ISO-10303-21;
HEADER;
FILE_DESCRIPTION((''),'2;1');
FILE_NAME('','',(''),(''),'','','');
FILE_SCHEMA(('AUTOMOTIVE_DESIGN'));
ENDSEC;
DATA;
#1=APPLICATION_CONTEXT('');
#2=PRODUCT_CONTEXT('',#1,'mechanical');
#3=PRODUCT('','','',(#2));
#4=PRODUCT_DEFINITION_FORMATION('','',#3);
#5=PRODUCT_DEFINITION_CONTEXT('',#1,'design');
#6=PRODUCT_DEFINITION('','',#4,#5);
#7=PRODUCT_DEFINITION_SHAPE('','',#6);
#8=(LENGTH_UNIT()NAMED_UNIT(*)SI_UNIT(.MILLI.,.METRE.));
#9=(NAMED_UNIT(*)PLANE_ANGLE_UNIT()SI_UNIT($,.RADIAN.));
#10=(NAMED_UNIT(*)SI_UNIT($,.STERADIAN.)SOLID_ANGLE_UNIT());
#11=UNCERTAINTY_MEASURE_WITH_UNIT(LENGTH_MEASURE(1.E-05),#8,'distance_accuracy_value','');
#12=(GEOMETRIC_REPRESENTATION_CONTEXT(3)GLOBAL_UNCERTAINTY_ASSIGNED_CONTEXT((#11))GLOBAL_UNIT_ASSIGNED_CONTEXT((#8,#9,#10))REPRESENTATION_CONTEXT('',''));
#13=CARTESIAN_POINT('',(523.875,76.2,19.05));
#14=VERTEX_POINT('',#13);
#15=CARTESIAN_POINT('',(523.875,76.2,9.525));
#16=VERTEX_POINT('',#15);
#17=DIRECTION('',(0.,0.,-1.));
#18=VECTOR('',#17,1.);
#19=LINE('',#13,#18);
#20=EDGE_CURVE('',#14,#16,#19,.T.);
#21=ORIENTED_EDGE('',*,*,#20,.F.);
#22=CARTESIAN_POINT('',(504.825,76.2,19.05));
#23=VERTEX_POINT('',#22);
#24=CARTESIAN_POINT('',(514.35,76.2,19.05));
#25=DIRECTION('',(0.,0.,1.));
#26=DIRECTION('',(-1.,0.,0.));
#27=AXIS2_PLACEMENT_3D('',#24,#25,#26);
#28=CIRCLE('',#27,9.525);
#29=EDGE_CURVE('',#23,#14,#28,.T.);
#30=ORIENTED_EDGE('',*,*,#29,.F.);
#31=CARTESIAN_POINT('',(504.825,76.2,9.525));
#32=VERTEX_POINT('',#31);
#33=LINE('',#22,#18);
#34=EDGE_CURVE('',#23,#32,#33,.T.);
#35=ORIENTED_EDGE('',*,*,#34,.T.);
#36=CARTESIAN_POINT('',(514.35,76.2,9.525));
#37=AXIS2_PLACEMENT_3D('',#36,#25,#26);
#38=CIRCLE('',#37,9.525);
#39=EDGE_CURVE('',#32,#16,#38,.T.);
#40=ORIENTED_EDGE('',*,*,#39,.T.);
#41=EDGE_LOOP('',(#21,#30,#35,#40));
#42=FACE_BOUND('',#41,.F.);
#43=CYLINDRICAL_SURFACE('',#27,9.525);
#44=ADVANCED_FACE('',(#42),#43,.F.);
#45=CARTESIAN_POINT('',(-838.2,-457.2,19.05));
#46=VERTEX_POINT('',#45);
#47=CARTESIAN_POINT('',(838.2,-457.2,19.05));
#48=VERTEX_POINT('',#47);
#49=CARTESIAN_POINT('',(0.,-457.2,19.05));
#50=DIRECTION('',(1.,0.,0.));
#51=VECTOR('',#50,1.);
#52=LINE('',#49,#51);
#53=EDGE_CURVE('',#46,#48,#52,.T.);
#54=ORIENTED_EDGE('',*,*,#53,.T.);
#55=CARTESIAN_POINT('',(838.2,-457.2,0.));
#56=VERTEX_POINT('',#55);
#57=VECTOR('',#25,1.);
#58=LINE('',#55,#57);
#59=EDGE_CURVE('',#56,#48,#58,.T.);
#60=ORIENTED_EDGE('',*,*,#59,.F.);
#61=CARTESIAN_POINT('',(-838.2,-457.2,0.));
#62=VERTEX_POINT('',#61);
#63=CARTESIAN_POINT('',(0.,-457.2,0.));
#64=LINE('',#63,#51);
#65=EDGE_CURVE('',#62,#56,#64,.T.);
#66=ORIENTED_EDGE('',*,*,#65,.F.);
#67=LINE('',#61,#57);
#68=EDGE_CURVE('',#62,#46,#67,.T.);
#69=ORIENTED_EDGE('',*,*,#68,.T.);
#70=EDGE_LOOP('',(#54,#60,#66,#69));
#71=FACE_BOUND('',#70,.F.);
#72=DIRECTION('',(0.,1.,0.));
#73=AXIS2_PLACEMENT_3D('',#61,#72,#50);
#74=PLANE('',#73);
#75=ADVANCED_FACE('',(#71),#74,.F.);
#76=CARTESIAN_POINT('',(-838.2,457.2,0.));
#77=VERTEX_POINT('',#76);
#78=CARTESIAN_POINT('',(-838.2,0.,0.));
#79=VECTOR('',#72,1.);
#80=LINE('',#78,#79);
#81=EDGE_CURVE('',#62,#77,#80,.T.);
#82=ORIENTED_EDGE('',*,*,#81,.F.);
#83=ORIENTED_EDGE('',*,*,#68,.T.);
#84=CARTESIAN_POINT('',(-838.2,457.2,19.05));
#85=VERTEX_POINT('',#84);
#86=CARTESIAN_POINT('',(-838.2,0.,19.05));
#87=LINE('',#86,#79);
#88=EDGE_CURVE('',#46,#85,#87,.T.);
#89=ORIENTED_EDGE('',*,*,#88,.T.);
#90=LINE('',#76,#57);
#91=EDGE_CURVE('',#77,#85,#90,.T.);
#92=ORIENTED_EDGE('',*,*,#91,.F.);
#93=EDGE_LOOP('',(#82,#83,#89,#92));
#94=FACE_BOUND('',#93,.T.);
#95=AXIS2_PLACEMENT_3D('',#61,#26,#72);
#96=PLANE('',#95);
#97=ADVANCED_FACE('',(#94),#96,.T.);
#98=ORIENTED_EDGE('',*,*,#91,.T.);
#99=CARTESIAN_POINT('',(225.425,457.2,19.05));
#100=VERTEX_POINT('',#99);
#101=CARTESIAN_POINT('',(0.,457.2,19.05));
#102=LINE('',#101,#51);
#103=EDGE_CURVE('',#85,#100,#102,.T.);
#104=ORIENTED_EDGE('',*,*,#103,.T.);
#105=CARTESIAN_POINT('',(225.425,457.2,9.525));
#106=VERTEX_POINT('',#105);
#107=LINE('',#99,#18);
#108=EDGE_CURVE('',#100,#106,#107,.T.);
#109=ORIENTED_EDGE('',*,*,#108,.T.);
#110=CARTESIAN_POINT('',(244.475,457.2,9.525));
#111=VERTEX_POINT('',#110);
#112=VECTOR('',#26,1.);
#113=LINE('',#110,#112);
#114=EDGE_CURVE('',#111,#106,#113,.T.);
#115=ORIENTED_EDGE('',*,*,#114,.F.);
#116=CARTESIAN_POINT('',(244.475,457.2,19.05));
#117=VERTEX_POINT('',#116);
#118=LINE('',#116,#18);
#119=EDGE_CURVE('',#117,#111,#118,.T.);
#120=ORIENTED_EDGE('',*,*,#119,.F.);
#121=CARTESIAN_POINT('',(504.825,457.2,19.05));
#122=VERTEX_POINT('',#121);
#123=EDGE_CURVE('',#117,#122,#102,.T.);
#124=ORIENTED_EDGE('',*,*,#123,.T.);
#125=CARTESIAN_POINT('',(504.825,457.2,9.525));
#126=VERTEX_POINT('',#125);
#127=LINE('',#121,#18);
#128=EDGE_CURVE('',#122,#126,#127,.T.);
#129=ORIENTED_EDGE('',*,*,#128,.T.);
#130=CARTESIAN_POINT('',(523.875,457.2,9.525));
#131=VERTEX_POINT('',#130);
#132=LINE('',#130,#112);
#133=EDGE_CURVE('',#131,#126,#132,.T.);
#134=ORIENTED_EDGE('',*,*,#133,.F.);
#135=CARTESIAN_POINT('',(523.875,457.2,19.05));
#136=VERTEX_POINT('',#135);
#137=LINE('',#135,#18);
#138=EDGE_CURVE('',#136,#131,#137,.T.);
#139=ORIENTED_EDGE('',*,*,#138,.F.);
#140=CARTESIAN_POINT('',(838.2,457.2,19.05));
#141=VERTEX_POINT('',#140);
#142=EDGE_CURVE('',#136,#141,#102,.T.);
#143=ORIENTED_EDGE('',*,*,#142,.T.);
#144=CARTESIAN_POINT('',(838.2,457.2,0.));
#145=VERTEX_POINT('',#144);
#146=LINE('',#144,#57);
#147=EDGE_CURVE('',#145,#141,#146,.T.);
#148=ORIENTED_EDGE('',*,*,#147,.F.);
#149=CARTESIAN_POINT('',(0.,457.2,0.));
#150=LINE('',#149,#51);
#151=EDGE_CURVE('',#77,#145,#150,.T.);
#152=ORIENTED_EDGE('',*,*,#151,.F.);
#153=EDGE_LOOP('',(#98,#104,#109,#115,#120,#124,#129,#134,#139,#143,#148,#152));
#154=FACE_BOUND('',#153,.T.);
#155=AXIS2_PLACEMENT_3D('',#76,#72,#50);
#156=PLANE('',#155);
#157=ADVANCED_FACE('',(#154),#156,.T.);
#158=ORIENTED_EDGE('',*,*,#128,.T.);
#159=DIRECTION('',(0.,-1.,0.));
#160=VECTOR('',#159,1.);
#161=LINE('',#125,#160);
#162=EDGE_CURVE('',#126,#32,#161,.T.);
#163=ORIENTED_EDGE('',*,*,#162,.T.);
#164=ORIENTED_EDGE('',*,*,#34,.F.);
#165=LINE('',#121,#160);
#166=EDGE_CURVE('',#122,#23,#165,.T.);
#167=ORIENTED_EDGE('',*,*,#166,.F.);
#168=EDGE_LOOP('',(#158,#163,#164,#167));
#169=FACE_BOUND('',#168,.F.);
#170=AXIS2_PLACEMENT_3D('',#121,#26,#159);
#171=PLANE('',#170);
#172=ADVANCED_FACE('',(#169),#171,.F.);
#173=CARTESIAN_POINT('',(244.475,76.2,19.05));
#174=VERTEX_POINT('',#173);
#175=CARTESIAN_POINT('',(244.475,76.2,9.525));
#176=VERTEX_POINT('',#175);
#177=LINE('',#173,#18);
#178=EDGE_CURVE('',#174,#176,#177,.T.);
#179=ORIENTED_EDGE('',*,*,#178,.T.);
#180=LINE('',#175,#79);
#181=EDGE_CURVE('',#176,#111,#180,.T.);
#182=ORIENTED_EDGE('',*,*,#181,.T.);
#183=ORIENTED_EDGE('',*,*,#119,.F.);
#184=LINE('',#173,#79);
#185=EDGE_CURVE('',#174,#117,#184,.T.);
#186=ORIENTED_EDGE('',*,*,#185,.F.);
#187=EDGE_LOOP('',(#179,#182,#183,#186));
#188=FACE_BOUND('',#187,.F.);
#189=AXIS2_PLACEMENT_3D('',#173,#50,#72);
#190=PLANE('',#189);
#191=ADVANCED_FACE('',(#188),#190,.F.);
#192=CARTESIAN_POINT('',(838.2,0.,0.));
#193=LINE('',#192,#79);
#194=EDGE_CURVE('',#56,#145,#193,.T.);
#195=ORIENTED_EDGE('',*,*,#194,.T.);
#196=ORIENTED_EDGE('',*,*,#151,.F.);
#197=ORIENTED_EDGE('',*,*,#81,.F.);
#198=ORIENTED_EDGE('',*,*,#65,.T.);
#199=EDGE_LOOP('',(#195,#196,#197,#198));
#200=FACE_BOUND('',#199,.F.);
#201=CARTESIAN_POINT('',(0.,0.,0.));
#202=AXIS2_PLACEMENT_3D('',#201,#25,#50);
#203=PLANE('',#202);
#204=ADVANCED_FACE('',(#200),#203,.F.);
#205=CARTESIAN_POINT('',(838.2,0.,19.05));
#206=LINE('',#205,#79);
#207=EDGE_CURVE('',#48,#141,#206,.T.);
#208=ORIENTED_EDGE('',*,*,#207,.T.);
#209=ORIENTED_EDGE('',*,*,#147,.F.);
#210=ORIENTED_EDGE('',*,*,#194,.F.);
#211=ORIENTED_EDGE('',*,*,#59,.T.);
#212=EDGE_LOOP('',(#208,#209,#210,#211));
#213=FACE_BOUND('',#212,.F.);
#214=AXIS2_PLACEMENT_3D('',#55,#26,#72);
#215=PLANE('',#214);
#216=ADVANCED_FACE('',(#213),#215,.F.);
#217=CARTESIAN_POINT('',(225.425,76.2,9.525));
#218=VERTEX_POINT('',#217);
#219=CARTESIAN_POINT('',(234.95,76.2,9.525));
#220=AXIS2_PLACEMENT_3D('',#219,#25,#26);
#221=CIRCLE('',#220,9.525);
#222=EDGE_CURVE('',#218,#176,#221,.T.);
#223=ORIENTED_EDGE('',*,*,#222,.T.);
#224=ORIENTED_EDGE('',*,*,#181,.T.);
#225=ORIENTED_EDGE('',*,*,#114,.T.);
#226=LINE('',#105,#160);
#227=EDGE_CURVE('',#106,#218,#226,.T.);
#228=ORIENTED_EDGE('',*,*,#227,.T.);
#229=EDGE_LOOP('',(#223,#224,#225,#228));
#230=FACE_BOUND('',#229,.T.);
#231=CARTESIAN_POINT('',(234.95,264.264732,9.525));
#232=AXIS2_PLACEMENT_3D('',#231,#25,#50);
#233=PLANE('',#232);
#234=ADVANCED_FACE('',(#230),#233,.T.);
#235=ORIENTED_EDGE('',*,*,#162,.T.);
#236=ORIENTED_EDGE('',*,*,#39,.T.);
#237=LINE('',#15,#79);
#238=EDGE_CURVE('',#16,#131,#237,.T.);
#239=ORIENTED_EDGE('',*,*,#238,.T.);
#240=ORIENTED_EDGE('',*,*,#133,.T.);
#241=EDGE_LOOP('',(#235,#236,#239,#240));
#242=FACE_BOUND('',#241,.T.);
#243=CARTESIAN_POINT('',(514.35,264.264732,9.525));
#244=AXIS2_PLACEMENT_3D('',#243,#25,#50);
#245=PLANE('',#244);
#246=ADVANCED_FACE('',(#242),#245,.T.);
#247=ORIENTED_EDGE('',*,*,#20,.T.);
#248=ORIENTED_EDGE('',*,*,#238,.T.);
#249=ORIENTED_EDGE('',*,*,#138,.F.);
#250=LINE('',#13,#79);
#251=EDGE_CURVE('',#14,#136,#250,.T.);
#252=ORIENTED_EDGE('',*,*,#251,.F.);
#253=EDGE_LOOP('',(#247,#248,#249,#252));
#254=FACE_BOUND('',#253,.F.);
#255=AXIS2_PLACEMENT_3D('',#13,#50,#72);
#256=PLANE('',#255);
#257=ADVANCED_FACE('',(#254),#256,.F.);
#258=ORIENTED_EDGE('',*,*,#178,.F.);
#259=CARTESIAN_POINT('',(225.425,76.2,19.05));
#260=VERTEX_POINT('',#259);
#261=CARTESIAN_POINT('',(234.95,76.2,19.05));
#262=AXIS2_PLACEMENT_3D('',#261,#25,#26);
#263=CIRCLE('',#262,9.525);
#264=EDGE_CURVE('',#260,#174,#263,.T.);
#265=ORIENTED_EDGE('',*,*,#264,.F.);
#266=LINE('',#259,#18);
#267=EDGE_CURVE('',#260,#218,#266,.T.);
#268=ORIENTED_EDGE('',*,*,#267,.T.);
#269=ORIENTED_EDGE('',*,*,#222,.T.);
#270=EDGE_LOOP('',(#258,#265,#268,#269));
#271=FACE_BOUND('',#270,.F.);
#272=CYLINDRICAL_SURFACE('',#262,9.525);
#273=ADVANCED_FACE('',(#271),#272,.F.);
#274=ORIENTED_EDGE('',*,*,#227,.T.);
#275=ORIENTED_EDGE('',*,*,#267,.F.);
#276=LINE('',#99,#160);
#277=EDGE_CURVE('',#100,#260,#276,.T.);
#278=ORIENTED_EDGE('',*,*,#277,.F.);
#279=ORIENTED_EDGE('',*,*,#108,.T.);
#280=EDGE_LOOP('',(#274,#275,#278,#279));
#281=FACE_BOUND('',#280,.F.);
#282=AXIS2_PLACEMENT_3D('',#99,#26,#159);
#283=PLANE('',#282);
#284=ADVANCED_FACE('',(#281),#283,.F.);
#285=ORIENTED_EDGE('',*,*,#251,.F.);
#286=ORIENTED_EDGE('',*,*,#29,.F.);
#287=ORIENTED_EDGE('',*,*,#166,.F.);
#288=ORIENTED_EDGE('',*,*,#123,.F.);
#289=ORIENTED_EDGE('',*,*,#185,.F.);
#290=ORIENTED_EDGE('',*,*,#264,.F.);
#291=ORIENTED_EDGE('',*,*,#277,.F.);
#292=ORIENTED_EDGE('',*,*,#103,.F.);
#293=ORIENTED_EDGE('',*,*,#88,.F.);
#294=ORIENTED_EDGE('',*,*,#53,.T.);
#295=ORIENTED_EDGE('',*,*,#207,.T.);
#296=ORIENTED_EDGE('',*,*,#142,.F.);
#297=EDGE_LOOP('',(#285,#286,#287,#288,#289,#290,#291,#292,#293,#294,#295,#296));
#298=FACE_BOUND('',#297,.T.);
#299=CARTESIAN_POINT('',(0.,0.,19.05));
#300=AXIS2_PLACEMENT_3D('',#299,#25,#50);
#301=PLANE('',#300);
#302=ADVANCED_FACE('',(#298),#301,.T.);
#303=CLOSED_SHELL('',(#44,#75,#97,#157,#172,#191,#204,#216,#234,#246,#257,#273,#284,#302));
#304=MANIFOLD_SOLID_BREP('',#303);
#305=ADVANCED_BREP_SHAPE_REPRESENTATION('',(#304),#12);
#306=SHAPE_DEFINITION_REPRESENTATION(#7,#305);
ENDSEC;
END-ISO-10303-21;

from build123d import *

# Parameters (mm, degrees)
F0_W     = 1676.4
F0_H     = 914.4
F1_DEPTH = 19.05
F3_DEPTH = 9.525


with BuildPart() as f1:
    # F0 (on Top) → F1 (new body)
    with BuildSketch(Plane.XY):
        Rectangle(F0_W, F0_H)
    extrude(amount=F1_DEPTH)

    # F2 (on face) → F3 (cut)
    with BuildSketch(Plane.XY.offset(19.05)):
        with BuildLine():
            Line((523.875, 76.2), (523.875, 457.2))
            Line((523.875, 457.2), (504.825, 457.2))
            Line((504.825, 457.2), (504.825, 76.2))
            ThreePointArc((504.825, 76.2), (514.35, 66.675), (523.875, 76.2))
        make_face()
        with BuildLine():
            Line((244.475, 76.2), (244.475, 457.2))
            Line((244.475, 457.2), (225.425, 457.2))
            Line((225.425, 457.2), (225.425, 76.2))
            ThreePointArc((225.425, 76.2), (234.95, 66.675), (244.475, 76.2))
        make_face()
    extrude(amount=-F3_DEPTH, mode=Mode.SUBTRACT)


solid = f1.part
